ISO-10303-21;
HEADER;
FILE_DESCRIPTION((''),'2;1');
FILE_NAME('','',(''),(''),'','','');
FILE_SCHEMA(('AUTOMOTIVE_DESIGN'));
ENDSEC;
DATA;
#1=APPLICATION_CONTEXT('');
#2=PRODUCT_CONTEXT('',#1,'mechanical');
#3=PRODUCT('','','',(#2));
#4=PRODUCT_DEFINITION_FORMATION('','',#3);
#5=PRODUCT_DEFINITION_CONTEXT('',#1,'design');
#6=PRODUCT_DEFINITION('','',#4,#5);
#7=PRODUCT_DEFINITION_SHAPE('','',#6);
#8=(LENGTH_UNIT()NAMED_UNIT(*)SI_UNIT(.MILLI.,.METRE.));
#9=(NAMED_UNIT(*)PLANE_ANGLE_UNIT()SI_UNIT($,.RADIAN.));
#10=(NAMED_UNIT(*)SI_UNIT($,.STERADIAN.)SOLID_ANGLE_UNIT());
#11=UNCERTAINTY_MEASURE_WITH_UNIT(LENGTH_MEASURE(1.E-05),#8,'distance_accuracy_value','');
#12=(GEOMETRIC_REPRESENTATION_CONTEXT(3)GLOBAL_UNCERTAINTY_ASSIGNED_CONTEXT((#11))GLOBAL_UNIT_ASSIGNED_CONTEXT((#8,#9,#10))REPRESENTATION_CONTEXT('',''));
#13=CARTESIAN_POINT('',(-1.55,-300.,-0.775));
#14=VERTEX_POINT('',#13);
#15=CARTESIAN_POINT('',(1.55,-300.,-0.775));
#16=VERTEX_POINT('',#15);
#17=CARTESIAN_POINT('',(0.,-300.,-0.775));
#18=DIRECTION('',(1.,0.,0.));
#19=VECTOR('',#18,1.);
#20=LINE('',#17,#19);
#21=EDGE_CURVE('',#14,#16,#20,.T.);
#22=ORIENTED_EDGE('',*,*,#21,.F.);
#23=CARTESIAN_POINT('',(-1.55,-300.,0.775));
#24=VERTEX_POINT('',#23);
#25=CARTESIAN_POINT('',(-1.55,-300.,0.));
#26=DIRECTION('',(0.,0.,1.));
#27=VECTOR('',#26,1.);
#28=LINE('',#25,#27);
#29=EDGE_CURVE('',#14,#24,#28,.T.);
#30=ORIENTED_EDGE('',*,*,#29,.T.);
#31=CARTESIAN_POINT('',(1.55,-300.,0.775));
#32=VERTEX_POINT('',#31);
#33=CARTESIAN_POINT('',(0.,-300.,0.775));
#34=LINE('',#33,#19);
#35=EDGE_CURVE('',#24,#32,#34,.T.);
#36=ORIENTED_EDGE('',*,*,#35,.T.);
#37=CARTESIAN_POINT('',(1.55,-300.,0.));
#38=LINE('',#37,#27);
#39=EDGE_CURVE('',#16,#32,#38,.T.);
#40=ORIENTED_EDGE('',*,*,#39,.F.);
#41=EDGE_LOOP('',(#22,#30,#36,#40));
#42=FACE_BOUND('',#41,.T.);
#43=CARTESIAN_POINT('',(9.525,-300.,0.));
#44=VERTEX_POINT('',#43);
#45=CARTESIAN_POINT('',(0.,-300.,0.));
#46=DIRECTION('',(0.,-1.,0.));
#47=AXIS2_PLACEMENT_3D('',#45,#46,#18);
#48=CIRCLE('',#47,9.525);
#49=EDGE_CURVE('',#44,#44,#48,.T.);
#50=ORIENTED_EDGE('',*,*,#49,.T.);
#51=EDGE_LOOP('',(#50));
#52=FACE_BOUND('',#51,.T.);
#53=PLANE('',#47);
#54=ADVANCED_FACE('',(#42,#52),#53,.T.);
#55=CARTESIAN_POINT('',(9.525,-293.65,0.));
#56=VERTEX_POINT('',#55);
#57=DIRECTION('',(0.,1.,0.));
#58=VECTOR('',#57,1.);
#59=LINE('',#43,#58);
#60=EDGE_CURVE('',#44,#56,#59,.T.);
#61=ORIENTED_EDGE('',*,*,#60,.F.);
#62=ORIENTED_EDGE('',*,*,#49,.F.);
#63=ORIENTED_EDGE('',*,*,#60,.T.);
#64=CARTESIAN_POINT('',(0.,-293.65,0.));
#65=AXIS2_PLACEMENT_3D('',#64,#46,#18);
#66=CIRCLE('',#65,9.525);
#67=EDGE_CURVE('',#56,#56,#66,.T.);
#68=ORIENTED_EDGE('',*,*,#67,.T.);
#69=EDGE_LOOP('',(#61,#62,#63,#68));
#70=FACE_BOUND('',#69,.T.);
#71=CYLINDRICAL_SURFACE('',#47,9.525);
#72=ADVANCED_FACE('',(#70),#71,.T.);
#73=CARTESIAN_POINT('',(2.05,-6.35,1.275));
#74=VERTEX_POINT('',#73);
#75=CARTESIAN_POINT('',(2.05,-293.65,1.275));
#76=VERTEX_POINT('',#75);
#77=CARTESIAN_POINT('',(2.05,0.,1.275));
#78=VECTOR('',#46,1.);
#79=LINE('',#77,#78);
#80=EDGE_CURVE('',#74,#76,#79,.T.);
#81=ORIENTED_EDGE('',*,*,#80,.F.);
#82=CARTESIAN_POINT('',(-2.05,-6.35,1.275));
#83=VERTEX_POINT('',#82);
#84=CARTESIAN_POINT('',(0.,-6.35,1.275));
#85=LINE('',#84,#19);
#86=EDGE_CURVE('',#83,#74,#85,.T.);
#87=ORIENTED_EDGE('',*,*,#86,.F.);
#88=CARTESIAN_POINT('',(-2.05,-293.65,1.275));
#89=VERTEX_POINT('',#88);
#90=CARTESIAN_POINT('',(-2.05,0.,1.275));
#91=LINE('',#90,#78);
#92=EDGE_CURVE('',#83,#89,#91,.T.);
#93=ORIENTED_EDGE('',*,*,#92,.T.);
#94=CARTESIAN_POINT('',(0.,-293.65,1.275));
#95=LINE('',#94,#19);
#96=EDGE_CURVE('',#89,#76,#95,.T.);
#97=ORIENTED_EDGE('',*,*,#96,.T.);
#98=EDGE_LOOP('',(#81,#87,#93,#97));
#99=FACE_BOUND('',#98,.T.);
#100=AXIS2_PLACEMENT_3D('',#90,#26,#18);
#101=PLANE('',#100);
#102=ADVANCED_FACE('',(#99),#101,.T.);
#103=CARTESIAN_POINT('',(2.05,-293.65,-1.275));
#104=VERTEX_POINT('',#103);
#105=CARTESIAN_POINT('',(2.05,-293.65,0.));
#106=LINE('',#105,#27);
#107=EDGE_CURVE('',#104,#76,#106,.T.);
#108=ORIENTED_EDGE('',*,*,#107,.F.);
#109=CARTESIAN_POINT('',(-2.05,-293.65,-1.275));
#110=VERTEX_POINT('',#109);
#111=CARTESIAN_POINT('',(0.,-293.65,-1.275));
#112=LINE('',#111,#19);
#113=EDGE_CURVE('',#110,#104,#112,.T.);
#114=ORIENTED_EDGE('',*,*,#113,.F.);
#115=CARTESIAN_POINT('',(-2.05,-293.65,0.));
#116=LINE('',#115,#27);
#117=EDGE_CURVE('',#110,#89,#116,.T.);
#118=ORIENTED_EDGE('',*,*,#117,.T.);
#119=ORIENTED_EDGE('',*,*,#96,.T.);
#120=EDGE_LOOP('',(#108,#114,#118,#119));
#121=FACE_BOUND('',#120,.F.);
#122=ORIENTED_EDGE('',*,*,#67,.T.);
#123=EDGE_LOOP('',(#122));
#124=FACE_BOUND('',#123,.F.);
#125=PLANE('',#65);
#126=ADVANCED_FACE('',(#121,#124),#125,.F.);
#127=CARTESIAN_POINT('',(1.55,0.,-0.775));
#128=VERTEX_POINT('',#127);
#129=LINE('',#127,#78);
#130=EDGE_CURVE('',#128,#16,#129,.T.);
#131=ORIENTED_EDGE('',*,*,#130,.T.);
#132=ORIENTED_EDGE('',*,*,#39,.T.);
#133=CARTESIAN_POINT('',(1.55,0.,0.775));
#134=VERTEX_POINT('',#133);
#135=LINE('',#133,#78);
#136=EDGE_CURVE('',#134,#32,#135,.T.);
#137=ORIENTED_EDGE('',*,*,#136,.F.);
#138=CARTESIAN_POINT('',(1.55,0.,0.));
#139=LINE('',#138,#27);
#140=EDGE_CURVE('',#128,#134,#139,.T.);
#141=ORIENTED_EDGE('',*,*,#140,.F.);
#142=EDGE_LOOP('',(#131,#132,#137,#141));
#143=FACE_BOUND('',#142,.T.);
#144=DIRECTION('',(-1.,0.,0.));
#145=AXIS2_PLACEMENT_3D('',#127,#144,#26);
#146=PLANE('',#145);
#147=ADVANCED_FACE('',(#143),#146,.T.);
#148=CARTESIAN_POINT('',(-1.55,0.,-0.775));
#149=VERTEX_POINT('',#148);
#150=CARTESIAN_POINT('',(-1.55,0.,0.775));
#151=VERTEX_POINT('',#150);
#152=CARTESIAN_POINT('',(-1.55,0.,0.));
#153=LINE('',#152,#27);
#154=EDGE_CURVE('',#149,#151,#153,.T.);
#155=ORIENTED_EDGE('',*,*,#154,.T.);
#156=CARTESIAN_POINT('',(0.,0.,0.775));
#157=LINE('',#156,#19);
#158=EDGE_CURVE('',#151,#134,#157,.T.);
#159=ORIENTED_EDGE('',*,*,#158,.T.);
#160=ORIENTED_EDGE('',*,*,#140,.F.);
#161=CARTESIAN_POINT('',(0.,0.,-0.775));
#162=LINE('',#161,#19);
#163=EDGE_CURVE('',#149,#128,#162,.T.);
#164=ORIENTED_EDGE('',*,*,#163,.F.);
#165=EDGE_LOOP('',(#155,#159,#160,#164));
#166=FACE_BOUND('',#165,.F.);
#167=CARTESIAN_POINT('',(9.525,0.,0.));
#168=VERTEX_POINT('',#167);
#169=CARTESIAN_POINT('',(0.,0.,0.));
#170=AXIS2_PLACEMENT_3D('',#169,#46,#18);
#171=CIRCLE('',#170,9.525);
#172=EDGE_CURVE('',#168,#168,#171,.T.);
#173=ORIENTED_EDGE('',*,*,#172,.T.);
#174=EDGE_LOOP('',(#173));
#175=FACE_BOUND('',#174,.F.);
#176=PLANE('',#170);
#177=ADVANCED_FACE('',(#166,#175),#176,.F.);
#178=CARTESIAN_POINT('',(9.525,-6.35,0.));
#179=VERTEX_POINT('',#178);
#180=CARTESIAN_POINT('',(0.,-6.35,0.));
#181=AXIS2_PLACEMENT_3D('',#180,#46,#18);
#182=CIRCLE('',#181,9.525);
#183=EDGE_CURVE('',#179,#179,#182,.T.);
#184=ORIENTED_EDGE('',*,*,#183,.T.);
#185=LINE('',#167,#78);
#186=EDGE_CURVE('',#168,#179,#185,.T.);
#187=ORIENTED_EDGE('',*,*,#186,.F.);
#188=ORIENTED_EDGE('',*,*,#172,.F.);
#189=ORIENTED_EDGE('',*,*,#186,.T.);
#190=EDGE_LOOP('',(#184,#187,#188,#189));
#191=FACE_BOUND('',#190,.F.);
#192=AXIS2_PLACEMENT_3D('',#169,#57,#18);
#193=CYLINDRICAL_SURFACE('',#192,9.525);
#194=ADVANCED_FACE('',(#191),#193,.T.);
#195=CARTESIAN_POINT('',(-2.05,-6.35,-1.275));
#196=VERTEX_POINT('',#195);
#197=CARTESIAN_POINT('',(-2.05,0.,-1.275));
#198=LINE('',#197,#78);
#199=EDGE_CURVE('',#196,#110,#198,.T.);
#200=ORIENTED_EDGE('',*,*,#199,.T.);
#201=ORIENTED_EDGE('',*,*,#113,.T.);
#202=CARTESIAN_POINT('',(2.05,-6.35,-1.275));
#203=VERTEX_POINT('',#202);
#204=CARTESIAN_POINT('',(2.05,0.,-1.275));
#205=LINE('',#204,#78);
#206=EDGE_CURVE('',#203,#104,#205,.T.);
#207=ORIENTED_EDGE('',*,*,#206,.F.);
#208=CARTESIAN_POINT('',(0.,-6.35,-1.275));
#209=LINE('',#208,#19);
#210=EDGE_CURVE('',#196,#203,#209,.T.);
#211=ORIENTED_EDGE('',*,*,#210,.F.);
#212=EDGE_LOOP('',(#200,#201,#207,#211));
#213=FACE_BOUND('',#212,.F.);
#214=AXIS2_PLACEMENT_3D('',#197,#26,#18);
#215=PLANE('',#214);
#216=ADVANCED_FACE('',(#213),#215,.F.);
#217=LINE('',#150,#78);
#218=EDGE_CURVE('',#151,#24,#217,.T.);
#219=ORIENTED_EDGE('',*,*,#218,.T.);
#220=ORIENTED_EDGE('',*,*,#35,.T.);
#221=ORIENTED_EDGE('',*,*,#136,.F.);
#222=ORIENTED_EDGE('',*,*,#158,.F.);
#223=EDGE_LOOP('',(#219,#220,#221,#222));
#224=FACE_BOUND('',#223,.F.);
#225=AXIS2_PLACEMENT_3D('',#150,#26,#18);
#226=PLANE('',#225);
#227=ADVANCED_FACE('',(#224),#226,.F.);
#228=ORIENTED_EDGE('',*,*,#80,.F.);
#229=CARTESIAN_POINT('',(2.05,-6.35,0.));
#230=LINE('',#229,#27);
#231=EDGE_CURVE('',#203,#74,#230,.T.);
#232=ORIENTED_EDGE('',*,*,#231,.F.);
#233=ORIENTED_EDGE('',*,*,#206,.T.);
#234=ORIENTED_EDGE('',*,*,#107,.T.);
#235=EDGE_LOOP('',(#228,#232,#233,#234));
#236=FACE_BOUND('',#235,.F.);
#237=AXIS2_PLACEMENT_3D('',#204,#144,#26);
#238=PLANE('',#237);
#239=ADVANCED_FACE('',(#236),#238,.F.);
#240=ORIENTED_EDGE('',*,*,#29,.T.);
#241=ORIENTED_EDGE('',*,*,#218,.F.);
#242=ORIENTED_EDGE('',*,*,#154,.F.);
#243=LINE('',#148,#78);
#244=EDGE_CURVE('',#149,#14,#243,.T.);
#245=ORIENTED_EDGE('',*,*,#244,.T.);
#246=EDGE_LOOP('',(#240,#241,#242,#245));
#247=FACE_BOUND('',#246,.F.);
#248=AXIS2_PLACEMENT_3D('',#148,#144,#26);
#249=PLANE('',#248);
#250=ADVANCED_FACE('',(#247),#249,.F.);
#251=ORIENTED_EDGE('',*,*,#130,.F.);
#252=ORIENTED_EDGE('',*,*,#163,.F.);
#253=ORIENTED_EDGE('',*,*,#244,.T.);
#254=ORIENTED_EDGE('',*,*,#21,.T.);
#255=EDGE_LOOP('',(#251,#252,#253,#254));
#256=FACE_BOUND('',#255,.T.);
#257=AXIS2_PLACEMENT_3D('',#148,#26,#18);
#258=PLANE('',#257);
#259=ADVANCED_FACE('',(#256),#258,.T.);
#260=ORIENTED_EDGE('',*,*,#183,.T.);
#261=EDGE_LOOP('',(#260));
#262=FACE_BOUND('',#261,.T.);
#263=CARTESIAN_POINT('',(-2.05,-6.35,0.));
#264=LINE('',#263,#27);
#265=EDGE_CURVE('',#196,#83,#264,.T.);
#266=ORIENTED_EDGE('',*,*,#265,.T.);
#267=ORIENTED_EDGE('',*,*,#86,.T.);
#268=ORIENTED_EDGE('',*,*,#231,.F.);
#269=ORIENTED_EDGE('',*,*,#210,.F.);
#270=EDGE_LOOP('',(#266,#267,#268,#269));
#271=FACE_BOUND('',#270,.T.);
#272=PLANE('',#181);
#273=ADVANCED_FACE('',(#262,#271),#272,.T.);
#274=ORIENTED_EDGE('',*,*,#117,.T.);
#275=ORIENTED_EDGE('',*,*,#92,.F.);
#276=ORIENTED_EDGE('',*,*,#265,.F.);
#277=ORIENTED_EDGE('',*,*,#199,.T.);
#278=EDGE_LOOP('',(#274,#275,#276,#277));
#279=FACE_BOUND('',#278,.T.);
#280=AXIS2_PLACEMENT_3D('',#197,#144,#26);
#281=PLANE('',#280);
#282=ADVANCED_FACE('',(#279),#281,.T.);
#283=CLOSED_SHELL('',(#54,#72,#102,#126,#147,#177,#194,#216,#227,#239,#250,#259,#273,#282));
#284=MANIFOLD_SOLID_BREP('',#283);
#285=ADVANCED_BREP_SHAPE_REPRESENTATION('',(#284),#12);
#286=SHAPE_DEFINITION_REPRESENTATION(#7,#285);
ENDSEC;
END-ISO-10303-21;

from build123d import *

# Parameters (mm, degrees)
F0_W     = 4.1
F0_H     = 2.55
F0_W_2   = 3.1
F0_H_2   = 1.55
F3_DEPTH = 300
F4_R     = 9.525
F4_W     = 4.1
F4_H     = 2.55
F5_DEPTH = 6.35
F6_R     = 9.525
F6_W     = 4.1
F6_H     = 2.55
F7_DEPTH = 6.35


with BuildPart() as f3:
    # F0 (on Front) → F3 (new body)
    with BuildSketch(Plane.XZ):
        Rectangle(F0_W, F0_H)
        Rectangle(F0_W_2, F0_H_2, mode=Mode.SUBTRACT)
    extrude(amount=F3_DEPTH)

    # F4 (on face) → F5 (join)
    with BuildSketch(Plane.XZ.offset(300)):
        Circle(F4_R)
        Rectangle(F4_W, F4_H, mode=Mode.SUBTRACT)
    extrude(amount=-F5_DEPTH)

    # F6 (on face) → F7 (join)
    with BuildSketch(Plane.XZ):
        Circle(F6_R)
        Rectangle(F6_W, F6_H, mode=Mode.SUBTRACT)
    extrude(amount=F7_DEPTH)


solid = f3.part
